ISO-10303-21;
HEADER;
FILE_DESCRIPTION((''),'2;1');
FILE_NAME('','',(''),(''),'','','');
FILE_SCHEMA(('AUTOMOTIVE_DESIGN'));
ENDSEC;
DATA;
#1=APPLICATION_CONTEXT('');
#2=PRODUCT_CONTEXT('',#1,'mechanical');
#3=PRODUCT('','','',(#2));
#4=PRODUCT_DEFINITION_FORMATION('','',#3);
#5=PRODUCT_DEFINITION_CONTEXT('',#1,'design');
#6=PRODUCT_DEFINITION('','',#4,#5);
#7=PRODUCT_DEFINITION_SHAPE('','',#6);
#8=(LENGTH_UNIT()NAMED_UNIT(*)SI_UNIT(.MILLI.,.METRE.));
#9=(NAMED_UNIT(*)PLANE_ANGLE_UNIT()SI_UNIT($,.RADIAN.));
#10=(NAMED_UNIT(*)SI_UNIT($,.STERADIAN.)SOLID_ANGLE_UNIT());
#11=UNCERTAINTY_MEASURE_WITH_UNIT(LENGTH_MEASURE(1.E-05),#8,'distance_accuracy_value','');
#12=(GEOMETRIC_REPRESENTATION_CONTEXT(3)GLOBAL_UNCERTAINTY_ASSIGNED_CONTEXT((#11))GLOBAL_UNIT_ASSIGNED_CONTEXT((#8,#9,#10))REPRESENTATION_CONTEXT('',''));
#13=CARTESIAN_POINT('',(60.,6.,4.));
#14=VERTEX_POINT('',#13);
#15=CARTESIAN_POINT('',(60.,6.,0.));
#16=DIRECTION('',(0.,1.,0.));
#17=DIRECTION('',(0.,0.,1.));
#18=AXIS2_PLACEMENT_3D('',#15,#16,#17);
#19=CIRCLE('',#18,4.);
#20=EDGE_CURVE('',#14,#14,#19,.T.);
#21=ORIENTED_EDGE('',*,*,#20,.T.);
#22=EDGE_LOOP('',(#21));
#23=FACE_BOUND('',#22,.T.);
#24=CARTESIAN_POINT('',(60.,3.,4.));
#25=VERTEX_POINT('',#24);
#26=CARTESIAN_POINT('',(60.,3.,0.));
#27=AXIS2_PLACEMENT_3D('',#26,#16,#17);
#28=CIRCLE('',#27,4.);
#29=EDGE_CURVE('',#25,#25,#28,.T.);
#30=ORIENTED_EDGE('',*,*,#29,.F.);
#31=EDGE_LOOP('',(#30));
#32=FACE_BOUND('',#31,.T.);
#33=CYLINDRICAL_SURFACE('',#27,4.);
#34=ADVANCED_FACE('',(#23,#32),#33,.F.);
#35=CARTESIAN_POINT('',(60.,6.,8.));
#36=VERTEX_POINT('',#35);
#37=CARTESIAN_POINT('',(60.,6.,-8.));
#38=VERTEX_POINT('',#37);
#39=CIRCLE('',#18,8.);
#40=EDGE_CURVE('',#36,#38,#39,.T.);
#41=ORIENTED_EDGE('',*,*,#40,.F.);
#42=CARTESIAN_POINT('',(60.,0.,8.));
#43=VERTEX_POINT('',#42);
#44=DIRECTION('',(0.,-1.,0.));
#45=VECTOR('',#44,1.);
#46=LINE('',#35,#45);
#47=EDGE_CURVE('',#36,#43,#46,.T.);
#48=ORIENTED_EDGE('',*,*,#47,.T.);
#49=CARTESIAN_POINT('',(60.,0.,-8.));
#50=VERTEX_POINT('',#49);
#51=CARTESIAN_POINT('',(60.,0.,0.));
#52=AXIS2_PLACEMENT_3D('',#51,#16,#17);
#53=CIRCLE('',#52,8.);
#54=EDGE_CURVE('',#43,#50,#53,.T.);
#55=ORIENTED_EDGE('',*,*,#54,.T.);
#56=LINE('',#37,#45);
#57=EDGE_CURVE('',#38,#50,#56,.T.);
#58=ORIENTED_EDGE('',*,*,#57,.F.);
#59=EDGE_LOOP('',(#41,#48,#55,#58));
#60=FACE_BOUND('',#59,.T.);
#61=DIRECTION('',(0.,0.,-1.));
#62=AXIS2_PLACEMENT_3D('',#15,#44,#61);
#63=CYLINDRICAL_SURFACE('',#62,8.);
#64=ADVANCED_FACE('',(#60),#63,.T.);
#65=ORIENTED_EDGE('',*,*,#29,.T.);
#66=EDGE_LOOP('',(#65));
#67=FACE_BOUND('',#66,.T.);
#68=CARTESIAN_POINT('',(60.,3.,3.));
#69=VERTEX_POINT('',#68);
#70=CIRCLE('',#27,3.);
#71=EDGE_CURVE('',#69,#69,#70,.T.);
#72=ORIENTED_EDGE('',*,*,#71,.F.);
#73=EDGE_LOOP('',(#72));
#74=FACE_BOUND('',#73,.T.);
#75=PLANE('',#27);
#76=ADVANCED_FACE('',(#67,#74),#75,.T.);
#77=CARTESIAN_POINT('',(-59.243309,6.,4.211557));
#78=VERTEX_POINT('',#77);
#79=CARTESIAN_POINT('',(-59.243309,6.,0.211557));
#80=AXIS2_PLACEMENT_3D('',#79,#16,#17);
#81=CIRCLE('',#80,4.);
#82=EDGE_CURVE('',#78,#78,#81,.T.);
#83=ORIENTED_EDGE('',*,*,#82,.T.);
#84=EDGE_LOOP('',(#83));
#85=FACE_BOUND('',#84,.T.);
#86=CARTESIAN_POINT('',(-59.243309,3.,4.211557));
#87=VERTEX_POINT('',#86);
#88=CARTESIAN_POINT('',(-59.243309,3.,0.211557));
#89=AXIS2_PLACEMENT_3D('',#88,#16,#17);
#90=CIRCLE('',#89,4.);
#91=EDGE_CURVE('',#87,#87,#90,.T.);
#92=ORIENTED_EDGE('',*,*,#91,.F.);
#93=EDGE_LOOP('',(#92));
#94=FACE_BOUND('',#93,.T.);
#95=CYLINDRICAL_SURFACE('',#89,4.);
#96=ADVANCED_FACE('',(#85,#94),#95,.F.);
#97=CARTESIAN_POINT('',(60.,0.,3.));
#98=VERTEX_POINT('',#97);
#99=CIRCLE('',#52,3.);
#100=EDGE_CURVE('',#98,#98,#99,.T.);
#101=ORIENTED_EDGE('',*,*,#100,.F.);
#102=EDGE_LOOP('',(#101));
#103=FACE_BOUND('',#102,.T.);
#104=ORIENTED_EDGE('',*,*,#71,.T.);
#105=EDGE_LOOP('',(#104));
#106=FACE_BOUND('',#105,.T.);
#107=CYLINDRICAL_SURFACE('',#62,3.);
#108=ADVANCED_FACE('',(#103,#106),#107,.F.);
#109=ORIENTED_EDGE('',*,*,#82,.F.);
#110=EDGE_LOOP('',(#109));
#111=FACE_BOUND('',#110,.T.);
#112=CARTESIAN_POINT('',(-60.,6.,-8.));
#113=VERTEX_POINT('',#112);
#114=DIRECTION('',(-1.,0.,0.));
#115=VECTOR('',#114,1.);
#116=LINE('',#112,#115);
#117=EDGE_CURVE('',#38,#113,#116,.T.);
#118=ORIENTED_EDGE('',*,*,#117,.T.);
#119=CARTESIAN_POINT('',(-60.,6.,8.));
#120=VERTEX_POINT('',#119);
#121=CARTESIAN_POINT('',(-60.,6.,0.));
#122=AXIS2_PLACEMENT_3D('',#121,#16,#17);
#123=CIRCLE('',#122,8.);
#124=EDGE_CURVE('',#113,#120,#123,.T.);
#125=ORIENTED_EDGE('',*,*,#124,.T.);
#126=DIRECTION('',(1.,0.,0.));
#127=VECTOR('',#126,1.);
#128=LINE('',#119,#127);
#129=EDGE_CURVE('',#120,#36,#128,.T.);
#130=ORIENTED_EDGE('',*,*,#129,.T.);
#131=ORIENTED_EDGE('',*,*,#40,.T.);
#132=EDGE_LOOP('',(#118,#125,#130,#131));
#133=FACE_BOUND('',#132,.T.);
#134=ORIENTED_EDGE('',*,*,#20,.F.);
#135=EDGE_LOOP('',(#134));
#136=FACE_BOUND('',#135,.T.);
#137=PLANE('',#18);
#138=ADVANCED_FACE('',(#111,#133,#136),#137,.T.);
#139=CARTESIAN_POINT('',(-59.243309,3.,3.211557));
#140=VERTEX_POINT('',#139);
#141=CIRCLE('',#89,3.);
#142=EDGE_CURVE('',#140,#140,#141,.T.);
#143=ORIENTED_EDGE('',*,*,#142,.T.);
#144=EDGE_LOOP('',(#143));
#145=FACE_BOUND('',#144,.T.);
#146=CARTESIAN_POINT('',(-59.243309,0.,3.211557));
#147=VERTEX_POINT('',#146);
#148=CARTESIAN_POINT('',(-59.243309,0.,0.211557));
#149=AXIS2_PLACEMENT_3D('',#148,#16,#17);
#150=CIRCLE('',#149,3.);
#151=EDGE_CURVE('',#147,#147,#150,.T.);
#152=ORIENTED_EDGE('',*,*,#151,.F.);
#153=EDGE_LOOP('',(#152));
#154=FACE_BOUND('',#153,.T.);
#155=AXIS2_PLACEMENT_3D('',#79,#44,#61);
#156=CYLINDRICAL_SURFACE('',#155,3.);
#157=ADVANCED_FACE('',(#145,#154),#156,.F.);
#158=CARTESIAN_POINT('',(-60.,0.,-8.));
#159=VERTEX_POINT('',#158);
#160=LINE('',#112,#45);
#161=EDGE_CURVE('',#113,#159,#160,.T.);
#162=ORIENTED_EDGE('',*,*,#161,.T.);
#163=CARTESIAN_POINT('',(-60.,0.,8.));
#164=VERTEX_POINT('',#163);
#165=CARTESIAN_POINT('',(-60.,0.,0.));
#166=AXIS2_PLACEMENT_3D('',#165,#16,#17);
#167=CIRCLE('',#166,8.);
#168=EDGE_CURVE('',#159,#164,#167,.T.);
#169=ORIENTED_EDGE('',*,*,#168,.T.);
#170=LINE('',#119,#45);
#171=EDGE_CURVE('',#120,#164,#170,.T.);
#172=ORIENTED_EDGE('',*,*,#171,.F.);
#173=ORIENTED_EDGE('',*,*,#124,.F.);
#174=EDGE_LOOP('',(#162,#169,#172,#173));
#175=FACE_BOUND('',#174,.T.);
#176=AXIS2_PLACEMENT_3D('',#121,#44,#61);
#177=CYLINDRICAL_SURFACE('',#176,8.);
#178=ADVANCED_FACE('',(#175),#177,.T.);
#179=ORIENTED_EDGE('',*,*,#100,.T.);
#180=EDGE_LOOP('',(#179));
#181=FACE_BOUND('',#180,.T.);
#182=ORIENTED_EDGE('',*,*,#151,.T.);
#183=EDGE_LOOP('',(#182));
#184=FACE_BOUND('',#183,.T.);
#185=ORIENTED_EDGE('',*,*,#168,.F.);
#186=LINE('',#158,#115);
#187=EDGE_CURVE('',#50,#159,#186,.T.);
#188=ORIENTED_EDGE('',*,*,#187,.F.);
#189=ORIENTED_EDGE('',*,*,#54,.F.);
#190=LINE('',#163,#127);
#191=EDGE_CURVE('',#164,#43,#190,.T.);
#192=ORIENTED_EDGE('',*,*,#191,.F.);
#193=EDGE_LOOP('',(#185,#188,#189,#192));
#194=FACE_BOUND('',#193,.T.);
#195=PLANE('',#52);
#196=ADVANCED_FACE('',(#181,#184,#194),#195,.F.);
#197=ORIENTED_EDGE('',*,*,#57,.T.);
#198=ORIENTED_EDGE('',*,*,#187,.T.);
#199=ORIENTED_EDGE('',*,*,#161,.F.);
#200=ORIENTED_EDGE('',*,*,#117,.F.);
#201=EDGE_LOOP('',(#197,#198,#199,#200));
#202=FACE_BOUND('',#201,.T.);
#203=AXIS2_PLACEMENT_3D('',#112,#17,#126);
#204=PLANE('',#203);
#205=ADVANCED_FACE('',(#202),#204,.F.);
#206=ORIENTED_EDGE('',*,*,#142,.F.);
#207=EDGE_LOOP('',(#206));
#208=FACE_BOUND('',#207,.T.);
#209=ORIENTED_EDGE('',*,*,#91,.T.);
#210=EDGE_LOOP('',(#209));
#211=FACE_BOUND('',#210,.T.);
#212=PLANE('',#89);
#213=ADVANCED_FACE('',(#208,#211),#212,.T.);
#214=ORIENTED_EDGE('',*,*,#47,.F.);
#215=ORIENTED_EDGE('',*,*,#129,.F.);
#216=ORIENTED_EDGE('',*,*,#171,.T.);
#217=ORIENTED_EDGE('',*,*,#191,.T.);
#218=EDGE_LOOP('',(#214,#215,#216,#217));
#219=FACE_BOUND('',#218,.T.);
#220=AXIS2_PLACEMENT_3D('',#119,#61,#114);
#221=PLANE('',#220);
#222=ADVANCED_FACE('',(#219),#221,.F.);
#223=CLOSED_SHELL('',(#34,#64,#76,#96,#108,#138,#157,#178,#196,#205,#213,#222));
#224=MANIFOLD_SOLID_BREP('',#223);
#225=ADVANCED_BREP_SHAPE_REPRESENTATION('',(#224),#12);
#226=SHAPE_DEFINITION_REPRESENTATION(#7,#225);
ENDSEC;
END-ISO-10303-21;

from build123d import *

# Parameters (mm, degrees)
SKETCH1_R           = 3
BOSS_EXTRUDE1_DEPTH = 6
SKETCH3_R           = 4
CUT_EXTRUDE1_DEPTH  = 3


with BuildPart() as part:
    # Sketch1 → Boss-Extrude1 (new body)
    with BuildSketch(Plane(origin=(0, 0, 0), x_dir=(1, 0, 0), z_dir=(0, 1, 0))):
        with BuildLine():
            Line((-60, -8), (60, -8))
            ThreePointArc((60, -8), (68, 0), (60, 8))
            Line((60, 8), (-60, 8))
            ThreePointArc((-60, 8), (-68, 0), (-60, -8))
        make_face()
        with Locations(Location((-59.243309237, -0.211557176, 0), (0, 0, 270))):
            Circle(SKETCH1_R, mode=Mode.SUBTRACT)
        with Locations(Location((60, 0, 0), (0, 0, 270))):
            Circle(SKETCH1_R, mode=Mode.SUBTRACT)
    extrude(amount=BOSS_EXTRUDE1_DEPTH)

    # Sketch3 → Cut-Extrude1 (cut)
    with BuildSketch(Plane(origin=(0, 6, 0), x_dir=(1, 0, 0), z_dir=(0, 1, 0))):
        with Locations(Location((-59.243309237, -0.211557176, 0), (0, 0, 270))):
            Circle(SKETCH3_R)
        with Locations(Location((60, 0, 0), (0, 0, 270))):
            Circle(SKETCH3_R)
    extrude(amount=-CUT_EXTRUDE1_DEPTH, mode=Mode.SUBTRACT)


solid = part.part
